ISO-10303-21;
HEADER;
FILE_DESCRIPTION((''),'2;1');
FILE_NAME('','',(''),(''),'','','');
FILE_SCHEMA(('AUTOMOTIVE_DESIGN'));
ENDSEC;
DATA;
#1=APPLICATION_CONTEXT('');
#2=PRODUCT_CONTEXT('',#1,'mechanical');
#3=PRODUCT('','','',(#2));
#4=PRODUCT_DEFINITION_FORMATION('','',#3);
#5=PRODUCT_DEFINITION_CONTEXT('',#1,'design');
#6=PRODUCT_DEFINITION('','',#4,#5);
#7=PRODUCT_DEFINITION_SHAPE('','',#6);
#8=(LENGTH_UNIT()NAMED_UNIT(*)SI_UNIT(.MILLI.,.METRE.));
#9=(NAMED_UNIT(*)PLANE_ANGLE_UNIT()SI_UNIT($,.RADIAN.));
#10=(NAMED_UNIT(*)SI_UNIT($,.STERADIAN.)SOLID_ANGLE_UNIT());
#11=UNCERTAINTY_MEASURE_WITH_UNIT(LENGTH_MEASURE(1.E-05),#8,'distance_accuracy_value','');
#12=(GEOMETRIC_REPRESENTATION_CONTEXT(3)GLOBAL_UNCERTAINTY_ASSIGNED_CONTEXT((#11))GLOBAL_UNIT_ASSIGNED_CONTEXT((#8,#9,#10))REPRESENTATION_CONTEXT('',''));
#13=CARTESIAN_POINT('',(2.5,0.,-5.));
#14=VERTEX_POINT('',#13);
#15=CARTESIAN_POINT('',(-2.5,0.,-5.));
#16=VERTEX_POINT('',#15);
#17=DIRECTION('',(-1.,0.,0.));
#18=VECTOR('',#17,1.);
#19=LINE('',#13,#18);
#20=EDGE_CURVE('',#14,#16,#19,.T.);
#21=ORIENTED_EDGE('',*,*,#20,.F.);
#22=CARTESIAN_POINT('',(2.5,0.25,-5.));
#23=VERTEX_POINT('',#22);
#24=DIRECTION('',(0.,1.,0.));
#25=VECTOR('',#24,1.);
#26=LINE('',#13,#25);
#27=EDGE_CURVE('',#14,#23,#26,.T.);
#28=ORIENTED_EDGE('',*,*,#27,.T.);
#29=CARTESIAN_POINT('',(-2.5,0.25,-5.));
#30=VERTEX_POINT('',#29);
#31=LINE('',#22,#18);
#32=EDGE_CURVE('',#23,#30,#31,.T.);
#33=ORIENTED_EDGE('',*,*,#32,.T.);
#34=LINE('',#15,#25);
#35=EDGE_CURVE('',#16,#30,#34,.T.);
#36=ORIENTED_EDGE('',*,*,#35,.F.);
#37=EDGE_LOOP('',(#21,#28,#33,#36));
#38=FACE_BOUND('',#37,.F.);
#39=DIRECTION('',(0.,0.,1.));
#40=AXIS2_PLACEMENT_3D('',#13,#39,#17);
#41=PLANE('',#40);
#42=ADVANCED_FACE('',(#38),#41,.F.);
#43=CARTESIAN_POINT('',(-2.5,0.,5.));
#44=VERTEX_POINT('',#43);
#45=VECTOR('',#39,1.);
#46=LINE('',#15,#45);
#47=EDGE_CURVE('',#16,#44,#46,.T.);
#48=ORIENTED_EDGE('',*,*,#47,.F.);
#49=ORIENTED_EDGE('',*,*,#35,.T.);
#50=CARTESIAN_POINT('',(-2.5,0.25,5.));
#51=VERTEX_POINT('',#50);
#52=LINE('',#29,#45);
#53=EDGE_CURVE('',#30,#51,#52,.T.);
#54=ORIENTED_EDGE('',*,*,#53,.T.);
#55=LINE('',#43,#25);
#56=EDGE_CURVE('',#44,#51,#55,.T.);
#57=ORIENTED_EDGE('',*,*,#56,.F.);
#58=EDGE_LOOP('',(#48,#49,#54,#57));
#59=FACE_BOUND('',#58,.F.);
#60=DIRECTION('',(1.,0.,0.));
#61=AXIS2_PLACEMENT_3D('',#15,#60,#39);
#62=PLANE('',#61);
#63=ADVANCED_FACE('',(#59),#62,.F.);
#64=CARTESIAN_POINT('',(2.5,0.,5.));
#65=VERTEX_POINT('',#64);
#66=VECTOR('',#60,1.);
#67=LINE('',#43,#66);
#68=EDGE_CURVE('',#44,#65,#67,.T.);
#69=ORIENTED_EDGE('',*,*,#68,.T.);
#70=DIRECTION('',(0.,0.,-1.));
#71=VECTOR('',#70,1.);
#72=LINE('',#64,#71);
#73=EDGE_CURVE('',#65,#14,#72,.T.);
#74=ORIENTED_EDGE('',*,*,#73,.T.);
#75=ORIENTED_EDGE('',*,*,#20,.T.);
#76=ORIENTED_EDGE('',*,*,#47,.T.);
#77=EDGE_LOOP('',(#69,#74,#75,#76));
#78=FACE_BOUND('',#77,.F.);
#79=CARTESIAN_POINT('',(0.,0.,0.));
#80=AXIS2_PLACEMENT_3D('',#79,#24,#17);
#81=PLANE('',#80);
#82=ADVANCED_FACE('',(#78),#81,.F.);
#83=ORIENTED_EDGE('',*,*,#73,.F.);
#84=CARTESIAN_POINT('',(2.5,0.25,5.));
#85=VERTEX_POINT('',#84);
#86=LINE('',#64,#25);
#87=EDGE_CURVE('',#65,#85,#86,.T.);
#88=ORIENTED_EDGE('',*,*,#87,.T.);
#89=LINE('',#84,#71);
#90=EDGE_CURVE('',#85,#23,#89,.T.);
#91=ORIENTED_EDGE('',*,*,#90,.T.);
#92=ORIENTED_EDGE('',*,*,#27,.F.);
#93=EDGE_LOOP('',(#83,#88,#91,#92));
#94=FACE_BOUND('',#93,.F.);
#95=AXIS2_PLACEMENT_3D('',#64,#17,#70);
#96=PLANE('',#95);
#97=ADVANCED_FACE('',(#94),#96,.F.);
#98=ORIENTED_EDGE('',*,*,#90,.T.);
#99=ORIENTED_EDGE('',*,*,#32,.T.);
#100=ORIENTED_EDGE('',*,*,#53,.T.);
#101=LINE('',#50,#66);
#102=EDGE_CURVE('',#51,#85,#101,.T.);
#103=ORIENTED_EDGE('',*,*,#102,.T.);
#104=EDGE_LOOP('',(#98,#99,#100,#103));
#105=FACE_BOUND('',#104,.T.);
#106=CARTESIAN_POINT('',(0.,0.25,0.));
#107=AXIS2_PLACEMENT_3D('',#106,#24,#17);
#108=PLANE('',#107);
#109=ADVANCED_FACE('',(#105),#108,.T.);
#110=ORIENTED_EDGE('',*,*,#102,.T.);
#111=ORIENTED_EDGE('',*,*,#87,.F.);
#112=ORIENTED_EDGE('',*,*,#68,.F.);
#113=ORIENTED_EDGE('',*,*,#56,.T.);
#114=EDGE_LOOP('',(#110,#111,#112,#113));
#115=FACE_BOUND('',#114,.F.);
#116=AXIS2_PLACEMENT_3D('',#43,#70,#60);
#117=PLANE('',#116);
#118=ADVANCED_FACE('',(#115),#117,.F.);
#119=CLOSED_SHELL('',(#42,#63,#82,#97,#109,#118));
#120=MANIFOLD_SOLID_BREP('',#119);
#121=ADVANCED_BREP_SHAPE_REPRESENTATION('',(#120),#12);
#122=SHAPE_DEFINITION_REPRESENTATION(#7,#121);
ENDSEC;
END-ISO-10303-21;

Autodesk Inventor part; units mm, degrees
ref_plane "YZ Plane" through (0, 0, 0) normal (1, 0, 0) x (0, 1, 0)
ref_plane "XZ Plane" through (0, 0, 0) normal (0, 1, 0) x (-1, 0, 0)
ref_plane "XY Plane" through (0, 0, 0) normal (0, 0, 1) x (1, 0, 0)
sketch "Sketch1" plane through (0, 0, 0) normal (0, 1, 0) x (-1, 0, 0)
  line L0 (-2.5, -5) -> (2.5, -5)
  line L1 (2.5, -5) -> (2.5, 5)
  line L2 (2.5, 5) -> (-2.5, 5)
  line L3 (-2.5, 5) -> (-2.5, -5)
  line L4 (-2.5, -5) -> (2.5, 5) construction
  line L5 (2.5, -5) -> (-2.5, 5) construction
  point P0 (0, 0)
extrude "Extrusion1" add sketch "Sketch1" along normal blind 0.25
properties part number "coverSlip_5mmX10mm"
